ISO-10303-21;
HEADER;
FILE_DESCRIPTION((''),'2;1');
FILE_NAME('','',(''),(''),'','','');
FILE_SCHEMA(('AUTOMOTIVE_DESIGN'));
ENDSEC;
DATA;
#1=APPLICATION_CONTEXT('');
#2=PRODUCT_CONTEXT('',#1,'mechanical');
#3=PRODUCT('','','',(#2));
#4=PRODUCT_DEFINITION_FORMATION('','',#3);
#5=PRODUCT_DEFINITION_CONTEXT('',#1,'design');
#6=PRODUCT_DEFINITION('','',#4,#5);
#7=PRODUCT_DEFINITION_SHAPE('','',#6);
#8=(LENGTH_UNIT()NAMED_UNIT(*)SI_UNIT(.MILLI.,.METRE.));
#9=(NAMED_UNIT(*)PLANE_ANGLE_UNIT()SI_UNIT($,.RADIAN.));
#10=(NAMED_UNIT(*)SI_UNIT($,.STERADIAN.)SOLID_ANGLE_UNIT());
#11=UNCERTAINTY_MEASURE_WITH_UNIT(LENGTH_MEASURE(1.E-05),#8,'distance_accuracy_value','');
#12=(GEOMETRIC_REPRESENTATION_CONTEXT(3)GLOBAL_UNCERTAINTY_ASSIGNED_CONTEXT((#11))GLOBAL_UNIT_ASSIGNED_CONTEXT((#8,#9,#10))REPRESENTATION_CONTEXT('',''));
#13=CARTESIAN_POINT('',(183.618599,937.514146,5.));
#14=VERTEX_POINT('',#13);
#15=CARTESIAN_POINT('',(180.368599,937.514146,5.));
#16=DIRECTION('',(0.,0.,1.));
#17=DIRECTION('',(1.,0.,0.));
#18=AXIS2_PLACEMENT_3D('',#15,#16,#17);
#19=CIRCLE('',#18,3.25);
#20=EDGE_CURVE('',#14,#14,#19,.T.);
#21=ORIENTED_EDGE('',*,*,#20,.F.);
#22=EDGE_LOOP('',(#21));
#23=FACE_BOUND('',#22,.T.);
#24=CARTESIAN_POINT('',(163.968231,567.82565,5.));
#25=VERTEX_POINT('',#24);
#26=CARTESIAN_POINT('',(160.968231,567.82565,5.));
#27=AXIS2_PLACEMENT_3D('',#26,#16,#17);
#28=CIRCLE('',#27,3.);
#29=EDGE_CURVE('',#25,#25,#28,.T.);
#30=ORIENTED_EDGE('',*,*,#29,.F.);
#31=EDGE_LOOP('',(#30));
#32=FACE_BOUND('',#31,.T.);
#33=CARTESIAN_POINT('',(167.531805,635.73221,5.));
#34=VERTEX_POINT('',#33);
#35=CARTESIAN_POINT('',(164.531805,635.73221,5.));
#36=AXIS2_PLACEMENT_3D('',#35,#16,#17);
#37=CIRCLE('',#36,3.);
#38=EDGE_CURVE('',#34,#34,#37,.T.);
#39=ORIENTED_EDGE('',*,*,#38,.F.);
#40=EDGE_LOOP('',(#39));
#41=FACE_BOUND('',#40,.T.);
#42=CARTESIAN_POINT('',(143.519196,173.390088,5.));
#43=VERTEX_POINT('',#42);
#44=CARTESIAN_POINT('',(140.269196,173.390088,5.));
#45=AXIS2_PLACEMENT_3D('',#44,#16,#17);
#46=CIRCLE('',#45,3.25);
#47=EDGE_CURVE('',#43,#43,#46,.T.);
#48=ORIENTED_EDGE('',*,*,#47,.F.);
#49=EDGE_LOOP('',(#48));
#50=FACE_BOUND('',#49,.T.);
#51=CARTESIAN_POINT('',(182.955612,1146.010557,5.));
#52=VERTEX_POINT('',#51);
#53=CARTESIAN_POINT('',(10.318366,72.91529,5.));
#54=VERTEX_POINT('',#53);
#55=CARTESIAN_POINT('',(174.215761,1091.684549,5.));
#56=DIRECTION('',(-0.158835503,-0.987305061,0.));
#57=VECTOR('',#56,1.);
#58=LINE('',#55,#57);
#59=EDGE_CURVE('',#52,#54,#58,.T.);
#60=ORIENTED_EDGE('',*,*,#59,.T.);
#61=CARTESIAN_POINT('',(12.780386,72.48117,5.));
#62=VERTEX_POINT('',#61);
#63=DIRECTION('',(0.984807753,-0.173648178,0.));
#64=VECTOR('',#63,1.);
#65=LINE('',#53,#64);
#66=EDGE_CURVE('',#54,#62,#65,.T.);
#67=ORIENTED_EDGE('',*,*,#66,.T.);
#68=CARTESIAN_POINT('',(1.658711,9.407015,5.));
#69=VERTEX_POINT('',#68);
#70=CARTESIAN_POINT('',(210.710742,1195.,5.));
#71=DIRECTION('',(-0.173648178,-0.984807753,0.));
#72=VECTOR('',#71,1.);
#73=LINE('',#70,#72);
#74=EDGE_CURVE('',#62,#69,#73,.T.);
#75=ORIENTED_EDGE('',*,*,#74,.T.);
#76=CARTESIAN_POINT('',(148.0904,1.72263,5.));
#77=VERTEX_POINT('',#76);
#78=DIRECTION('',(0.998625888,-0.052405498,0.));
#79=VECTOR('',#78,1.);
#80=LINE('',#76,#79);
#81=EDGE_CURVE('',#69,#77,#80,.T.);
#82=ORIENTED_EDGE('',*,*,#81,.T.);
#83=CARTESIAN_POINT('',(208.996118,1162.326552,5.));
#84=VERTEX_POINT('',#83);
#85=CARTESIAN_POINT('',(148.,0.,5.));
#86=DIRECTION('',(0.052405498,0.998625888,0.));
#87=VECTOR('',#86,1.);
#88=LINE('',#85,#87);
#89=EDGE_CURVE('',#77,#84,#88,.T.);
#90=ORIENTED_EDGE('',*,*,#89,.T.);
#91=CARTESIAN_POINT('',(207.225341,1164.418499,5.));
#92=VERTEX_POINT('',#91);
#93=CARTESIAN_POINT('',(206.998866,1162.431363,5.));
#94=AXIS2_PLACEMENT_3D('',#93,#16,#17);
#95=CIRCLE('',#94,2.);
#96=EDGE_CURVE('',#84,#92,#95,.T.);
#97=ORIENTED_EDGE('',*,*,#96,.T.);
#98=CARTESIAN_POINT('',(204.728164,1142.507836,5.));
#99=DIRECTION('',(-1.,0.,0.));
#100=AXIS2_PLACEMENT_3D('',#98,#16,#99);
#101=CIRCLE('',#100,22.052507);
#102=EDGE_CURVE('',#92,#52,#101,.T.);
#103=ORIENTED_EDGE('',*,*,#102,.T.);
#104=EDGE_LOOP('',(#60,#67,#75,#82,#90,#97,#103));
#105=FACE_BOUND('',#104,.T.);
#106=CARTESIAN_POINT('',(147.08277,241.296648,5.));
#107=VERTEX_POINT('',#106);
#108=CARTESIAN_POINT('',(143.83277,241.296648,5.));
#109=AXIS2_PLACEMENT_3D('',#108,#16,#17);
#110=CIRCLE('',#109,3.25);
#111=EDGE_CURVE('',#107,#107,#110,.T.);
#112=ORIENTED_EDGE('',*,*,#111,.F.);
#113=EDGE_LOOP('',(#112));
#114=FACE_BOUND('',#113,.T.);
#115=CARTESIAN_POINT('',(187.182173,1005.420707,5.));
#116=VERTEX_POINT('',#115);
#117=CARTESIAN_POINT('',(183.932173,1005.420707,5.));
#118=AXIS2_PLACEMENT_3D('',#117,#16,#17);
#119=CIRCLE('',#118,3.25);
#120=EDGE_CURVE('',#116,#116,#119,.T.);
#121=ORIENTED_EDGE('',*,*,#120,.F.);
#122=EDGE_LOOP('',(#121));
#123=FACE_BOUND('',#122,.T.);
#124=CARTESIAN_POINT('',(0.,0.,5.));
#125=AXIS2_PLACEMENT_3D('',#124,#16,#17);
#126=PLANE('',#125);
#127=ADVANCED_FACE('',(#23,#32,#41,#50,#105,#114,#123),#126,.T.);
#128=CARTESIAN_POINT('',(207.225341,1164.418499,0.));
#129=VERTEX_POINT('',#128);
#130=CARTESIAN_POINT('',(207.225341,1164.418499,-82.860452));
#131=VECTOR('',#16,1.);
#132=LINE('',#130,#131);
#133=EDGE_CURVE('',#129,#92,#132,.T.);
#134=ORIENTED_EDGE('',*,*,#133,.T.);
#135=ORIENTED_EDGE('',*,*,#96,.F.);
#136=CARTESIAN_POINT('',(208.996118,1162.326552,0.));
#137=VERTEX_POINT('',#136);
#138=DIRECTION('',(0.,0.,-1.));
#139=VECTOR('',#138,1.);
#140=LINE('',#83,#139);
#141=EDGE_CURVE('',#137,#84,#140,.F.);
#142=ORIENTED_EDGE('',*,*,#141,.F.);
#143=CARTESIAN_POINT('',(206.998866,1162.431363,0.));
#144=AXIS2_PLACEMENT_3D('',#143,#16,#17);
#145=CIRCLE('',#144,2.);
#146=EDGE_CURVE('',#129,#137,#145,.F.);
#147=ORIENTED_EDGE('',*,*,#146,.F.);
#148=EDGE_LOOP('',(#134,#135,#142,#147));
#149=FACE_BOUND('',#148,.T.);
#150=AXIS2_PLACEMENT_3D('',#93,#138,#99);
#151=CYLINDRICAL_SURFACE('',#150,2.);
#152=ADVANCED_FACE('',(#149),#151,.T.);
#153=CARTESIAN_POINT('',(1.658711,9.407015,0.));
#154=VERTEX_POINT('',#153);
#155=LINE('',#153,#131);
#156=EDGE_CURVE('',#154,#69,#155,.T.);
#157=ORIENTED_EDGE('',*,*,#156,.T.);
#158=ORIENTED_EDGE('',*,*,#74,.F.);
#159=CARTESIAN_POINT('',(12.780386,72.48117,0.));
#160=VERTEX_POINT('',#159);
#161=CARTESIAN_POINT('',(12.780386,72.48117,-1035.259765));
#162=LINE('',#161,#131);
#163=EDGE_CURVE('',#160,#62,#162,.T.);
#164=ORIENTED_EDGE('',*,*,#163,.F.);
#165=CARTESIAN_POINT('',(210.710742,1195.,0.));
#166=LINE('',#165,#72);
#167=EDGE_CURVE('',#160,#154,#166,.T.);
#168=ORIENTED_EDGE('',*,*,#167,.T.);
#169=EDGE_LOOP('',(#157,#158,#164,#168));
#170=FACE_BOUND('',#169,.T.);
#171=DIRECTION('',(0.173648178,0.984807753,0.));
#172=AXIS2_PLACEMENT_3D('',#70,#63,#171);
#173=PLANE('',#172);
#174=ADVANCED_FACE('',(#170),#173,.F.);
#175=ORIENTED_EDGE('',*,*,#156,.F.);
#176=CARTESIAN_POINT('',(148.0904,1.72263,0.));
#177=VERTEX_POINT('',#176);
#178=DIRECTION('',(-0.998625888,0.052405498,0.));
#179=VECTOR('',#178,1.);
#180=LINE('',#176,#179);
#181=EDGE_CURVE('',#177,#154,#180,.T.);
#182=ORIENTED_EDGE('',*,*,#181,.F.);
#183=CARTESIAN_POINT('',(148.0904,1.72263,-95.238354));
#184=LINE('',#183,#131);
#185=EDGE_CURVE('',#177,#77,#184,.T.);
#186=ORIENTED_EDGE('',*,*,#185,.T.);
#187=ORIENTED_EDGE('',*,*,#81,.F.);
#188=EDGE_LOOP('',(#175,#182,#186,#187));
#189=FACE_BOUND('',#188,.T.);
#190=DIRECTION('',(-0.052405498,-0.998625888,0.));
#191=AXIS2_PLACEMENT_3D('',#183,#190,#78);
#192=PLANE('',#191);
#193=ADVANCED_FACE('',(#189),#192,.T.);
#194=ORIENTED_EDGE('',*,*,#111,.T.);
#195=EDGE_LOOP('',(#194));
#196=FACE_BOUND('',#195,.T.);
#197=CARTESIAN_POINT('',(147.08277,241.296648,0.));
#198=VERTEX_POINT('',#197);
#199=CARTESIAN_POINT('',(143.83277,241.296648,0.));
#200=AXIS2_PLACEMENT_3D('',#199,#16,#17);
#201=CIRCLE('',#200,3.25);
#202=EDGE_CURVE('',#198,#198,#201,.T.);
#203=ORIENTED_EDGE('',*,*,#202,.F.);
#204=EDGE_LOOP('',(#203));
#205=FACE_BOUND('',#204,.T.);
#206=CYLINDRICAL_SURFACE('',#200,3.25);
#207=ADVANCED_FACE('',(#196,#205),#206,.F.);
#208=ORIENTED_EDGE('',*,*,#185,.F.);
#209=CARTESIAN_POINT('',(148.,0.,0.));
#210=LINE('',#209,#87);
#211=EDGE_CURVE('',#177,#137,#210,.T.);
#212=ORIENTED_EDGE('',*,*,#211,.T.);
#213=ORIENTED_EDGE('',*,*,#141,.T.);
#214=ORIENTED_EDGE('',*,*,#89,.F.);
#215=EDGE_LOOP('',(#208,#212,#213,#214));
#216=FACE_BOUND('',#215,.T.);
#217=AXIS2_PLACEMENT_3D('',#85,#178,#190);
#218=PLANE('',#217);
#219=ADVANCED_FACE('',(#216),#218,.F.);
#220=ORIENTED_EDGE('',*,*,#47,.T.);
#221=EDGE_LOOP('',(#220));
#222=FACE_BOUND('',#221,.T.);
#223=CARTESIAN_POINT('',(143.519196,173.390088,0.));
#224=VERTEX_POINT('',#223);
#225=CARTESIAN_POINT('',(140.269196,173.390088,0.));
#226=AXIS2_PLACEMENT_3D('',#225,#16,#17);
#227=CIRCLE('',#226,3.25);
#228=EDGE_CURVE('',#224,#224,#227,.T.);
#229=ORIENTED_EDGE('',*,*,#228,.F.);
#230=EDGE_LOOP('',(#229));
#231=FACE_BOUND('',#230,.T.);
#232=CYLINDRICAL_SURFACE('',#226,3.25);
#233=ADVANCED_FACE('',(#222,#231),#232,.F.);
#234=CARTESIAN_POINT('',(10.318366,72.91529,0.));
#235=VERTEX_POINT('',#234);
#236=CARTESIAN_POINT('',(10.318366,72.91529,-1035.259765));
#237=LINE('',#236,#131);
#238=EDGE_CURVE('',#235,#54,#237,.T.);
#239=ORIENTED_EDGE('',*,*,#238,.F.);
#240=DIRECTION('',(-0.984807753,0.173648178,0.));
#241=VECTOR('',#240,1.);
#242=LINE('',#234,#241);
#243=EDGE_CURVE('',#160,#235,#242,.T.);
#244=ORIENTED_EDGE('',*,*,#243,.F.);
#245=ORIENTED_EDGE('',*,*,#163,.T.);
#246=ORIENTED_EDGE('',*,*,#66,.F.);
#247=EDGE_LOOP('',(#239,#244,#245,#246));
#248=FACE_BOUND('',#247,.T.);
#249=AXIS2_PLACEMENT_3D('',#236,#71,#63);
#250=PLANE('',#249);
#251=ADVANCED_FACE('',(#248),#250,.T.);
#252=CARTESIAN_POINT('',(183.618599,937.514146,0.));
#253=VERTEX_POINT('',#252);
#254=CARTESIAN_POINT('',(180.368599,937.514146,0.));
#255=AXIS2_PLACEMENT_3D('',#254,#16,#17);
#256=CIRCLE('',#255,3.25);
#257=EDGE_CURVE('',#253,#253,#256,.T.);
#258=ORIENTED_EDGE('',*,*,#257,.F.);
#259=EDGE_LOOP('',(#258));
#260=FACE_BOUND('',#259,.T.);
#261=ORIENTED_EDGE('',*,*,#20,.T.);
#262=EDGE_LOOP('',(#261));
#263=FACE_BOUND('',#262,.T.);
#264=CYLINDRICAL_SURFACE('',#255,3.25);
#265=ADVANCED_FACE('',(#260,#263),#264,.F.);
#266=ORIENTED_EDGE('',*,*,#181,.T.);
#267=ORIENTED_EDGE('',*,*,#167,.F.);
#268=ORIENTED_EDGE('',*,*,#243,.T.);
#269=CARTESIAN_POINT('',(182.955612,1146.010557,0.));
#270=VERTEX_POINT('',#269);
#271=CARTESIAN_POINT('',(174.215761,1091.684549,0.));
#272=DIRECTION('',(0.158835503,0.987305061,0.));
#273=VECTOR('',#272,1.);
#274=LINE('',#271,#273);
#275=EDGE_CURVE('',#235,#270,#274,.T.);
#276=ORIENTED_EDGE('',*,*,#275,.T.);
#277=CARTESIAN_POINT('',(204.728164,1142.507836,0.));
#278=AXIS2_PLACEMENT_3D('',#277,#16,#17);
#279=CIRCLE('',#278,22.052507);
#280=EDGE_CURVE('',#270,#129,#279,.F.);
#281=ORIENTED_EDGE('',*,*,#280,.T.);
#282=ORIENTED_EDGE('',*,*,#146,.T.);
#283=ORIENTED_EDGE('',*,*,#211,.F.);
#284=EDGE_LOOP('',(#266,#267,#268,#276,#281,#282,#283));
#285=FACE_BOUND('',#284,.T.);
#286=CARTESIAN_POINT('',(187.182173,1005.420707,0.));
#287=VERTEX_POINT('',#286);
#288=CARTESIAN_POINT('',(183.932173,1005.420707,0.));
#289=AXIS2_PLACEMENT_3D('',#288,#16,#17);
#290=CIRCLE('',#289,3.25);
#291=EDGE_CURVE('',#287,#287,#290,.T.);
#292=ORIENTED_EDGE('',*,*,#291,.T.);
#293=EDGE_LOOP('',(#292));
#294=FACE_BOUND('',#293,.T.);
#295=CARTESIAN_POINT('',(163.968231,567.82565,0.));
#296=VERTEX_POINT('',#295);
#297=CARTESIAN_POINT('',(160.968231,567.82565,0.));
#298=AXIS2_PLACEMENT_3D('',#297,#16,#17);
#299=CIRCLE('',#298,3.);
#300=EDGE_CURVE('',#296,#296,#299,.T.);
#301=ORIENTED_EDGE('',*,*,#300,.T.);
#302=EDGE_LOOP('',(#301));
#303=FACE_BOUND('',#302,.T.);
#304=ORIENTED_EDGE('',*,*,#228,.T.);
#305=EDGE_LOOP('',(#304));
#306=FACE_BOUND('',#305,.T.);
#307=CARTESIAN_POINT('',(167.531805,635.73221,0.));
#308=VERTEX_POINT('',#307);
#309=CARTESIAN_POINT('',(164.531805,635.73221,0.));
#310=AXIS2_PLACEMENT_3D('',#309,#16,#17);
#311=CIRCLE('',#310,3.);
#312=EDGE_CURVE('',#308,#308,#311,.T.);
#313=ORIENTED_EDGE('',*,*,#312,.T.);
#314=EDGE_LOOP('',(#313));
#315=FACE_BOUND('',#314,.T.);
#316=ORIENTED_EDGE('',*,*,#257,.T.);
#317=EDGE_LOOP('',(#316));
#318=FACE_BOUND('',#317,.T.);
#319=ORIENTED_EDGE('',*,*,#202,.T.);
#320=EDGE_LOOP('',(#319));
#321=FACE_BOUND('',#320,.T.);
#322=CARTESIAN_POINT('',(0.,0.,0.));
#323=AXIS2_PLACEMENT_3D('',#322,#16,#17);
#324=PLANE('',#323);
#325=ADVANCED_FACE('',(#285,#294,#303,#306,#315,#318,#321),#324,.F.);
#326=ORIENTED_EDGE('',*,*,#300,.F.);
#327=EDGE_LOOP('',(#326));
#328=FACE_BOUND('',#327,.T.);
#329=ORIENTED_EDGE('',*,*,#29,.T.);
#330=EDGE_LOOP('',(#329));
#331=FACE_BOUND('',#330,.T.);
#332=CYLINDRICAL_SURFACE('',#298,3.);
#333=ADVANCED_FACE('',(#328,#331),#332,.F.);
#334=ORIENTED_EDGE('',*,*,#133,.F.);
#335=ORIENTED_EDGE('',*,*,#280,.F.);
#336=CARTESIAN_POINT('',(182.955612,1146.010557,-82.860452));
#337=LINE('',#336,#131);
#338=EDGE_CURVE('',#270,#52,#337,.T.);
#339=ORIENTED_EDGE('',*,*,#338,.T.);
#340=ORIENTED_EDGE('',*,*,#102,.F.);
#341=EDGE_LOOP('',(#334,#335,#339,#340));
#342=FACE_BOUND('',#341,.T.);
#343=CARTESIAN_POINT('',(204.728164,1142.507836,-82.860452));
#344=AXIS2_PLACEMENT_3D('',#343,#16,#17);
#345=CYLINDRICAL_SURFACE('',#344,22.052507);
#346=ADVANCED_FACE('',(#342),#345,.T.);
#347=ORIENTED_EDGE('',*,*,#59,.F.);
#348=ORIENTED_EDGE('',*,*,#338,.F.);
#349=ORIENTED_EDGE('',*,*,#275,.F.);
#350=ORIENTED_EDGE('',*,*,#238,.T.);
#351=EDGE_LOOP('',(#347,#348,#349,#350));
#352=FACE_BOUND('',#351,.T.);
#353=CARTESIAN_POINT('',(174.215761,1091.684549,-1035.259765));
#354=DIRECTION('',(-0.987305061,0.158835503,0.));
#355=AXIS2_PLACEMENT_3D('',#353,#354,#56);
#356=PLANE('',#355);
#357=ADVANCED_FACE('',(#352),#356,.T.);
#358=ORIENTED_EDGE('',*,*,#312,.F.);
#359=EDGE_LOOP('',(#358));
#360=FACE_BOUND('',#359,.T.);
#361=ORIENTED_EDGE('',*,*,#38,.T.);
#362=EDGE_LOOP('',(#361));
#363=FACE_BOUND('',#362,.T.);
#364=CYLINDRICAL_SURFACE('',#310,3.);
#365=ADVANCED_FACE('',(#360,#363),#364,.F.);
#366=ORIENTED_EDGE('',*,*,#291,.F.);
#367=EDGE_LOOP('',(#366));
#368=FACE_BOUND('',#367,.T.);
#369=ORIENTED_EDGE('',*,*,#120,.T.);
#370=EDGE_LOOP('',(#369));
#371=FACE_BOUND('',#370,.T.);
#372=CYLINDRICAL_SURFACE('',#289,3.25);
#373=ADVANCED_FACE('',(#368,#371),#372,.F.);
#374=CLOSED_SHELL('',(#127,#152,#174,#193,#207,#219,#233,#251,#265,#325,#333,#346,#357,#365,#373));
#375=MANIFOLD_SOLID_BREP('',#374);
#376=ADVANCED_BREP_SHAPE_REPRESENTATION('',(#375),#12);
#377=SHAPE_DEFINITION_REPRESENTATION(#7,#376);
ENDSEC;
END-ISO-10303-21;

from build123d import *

# Parameters (mm, degrees)
BOSS_EXTRUDE1_DEPTH = 5
FILLET1_R           = 2
BOSS_EXTRUDE2_DEPTH = 5
BOSS_EXTRUDE3_DEPTH = 5
BOSS_EXTRUDE4_DEPTH = 5
CUT_EXTRUDE1_DEPTH  = 1184.176367894
SKETCH6_R           = 3.25
CUT_EXTRUDE2_DEPTH  = 1184.176367894
BOSS_EXTRUDE5_DEPTH = 5
CUT_EXTRUDE3_DEPTH  = 1184.176367894
SKETCH9_R           = 3
CUT_EXTRUDE4_DEPTH  = 1184.176367894


with BuildPart() as part:
    # Sketch1 → Boss-Extrude1 (new body)
    with BuildSketch(Plane.XY):
        Polygon((0, 0), (148, 0), (210.710741947, 1195), align=None)
    extrude(amount=BOSS_EXTRUDE1_DEPTH)

    # Fillet1
    fillet1_edges = [part.edges().sort_by_distance(p)[0] for p in [
        (210.710741947, 1195, 2.5),
    ]]
    fillet(fillet1_edges, radius=FILLET1_R)

    # Sketch2 → Boss-Extrude2 (add)
    with BuildSketch(Plane.XY.offset(5)):
        Polygon((191.942300905, 1088.558881537), (174.215761351, 1091.684548735), (10.318366476, 72.915290412), (12.780385859, 72.481169967), align=None)
    extrude(amount=-BOSS_EXTRUDE2_DEPTH)

    # Sketch3 → Boss-Extrude3 (add)
    with BuildSketch(Plane.XY.offset(5)):
        with BuildLine():
            Line((174.215761351, 1091.684548735), (182.955612005, 1146.010556635))
            ThreePointArc((182.955612005, 1146.010556635), (191.401570157, 1160.078122114), (207.225341391, 1164.418499006))
            ThreePointArc((207.225341391, 1164.418499006), (205.802244472, 1164.033891637), (205.029250268, 1162.778659534))
            Line((205.029250268, 1162.778659534), (191.942300905, 1088.558881537))
            Line((191.942300905, 1088.558881537), (174.215761351, 1091.684548735))
        make_face()
    extrude(amount=-BOSS_EXTRUDE3_DEPTH)

    # Sketch4 → Boss-Extrude4 (add)
    with BuildSketch(Plane.XY.offset(5)):
        Polygon((0, 0), (2.112629849, 11.981319257), (148.088309576, 1.682804887), (148, 0), align=None)
    extrude(amount=-BOSS_EXTRUDE4_DEPTH)

    # Sketch5 → Cut-Extrude1 (cut, through all)
    with BuildSketch(Plane.XY.offset(5)):
        Polygon((148.679280264, 12.9441925), (0.545384836, 3.093031107), (0, 0), (148, 0), align=None)
    extrude(amount=-CUT_EXTRUDE1_DEPTH, mode=Mode.SUBTRACT)

    # Sketch6 → Cut-Extrude2 (cut, through all)
    with BuildSketch(Plane.XY.offset(5)):
        with Locations((180.368599434, 937.514146328)):
            Circle(SKETCH6_R)
        with Locations((183.932173312, 1005.420706697)):
            Circle(SKETCH6_R)
        with Locations((143.832770259, 241.296648182)):
            Circle(SKETCH6_R)
        with Locations((140.269196381, 173.390087812)):
            Circle(SKETCH6_R)
    extrude(amount=-CUT_EXTRUDE2_DEPTH, mode=Mode.SUBTRACT)

    # Sketch7 → Boss-Extrude5 (add)
    with BuildSketch(Plane.XY.offset(5)):
        Polygon((148.679280264, 12.9441925), (148.090399515, 1.722630236), (54.104333141, 6.654794215), align=None)
    extrude(amount=-BOSS_EXTRUDE5_DEPTH)

    # Sketch8 → Cut-Extrude3 (cut, through all)
    with BuildSketch(Plane.XY.offset(5)):
        Polygon((54.104333141, 6.654794215), (1.658710562, 9.407015055), (0.545384836, 3.093031107), align=None)
    extrude(amount=-CUT_EXTRUDE3_DEPTH, mode=Mode.SUBTRACT)

    # Sketch9 → Cut-Extrude4 (cut, through all)
    with BuildSketch(Plane.XY.offset(5)):
        with Locations((160.968231329, 567.825650117)):
            Circle(SKETCH9_R)
        with Locations((164.531805206, 635.732210487)):
            Circle(SKETCH9_R)
    extrude(amount=-CUT_EXTRUDE4_DEPTH, mode=Mode.SUBTRACT)


solid = part.part
